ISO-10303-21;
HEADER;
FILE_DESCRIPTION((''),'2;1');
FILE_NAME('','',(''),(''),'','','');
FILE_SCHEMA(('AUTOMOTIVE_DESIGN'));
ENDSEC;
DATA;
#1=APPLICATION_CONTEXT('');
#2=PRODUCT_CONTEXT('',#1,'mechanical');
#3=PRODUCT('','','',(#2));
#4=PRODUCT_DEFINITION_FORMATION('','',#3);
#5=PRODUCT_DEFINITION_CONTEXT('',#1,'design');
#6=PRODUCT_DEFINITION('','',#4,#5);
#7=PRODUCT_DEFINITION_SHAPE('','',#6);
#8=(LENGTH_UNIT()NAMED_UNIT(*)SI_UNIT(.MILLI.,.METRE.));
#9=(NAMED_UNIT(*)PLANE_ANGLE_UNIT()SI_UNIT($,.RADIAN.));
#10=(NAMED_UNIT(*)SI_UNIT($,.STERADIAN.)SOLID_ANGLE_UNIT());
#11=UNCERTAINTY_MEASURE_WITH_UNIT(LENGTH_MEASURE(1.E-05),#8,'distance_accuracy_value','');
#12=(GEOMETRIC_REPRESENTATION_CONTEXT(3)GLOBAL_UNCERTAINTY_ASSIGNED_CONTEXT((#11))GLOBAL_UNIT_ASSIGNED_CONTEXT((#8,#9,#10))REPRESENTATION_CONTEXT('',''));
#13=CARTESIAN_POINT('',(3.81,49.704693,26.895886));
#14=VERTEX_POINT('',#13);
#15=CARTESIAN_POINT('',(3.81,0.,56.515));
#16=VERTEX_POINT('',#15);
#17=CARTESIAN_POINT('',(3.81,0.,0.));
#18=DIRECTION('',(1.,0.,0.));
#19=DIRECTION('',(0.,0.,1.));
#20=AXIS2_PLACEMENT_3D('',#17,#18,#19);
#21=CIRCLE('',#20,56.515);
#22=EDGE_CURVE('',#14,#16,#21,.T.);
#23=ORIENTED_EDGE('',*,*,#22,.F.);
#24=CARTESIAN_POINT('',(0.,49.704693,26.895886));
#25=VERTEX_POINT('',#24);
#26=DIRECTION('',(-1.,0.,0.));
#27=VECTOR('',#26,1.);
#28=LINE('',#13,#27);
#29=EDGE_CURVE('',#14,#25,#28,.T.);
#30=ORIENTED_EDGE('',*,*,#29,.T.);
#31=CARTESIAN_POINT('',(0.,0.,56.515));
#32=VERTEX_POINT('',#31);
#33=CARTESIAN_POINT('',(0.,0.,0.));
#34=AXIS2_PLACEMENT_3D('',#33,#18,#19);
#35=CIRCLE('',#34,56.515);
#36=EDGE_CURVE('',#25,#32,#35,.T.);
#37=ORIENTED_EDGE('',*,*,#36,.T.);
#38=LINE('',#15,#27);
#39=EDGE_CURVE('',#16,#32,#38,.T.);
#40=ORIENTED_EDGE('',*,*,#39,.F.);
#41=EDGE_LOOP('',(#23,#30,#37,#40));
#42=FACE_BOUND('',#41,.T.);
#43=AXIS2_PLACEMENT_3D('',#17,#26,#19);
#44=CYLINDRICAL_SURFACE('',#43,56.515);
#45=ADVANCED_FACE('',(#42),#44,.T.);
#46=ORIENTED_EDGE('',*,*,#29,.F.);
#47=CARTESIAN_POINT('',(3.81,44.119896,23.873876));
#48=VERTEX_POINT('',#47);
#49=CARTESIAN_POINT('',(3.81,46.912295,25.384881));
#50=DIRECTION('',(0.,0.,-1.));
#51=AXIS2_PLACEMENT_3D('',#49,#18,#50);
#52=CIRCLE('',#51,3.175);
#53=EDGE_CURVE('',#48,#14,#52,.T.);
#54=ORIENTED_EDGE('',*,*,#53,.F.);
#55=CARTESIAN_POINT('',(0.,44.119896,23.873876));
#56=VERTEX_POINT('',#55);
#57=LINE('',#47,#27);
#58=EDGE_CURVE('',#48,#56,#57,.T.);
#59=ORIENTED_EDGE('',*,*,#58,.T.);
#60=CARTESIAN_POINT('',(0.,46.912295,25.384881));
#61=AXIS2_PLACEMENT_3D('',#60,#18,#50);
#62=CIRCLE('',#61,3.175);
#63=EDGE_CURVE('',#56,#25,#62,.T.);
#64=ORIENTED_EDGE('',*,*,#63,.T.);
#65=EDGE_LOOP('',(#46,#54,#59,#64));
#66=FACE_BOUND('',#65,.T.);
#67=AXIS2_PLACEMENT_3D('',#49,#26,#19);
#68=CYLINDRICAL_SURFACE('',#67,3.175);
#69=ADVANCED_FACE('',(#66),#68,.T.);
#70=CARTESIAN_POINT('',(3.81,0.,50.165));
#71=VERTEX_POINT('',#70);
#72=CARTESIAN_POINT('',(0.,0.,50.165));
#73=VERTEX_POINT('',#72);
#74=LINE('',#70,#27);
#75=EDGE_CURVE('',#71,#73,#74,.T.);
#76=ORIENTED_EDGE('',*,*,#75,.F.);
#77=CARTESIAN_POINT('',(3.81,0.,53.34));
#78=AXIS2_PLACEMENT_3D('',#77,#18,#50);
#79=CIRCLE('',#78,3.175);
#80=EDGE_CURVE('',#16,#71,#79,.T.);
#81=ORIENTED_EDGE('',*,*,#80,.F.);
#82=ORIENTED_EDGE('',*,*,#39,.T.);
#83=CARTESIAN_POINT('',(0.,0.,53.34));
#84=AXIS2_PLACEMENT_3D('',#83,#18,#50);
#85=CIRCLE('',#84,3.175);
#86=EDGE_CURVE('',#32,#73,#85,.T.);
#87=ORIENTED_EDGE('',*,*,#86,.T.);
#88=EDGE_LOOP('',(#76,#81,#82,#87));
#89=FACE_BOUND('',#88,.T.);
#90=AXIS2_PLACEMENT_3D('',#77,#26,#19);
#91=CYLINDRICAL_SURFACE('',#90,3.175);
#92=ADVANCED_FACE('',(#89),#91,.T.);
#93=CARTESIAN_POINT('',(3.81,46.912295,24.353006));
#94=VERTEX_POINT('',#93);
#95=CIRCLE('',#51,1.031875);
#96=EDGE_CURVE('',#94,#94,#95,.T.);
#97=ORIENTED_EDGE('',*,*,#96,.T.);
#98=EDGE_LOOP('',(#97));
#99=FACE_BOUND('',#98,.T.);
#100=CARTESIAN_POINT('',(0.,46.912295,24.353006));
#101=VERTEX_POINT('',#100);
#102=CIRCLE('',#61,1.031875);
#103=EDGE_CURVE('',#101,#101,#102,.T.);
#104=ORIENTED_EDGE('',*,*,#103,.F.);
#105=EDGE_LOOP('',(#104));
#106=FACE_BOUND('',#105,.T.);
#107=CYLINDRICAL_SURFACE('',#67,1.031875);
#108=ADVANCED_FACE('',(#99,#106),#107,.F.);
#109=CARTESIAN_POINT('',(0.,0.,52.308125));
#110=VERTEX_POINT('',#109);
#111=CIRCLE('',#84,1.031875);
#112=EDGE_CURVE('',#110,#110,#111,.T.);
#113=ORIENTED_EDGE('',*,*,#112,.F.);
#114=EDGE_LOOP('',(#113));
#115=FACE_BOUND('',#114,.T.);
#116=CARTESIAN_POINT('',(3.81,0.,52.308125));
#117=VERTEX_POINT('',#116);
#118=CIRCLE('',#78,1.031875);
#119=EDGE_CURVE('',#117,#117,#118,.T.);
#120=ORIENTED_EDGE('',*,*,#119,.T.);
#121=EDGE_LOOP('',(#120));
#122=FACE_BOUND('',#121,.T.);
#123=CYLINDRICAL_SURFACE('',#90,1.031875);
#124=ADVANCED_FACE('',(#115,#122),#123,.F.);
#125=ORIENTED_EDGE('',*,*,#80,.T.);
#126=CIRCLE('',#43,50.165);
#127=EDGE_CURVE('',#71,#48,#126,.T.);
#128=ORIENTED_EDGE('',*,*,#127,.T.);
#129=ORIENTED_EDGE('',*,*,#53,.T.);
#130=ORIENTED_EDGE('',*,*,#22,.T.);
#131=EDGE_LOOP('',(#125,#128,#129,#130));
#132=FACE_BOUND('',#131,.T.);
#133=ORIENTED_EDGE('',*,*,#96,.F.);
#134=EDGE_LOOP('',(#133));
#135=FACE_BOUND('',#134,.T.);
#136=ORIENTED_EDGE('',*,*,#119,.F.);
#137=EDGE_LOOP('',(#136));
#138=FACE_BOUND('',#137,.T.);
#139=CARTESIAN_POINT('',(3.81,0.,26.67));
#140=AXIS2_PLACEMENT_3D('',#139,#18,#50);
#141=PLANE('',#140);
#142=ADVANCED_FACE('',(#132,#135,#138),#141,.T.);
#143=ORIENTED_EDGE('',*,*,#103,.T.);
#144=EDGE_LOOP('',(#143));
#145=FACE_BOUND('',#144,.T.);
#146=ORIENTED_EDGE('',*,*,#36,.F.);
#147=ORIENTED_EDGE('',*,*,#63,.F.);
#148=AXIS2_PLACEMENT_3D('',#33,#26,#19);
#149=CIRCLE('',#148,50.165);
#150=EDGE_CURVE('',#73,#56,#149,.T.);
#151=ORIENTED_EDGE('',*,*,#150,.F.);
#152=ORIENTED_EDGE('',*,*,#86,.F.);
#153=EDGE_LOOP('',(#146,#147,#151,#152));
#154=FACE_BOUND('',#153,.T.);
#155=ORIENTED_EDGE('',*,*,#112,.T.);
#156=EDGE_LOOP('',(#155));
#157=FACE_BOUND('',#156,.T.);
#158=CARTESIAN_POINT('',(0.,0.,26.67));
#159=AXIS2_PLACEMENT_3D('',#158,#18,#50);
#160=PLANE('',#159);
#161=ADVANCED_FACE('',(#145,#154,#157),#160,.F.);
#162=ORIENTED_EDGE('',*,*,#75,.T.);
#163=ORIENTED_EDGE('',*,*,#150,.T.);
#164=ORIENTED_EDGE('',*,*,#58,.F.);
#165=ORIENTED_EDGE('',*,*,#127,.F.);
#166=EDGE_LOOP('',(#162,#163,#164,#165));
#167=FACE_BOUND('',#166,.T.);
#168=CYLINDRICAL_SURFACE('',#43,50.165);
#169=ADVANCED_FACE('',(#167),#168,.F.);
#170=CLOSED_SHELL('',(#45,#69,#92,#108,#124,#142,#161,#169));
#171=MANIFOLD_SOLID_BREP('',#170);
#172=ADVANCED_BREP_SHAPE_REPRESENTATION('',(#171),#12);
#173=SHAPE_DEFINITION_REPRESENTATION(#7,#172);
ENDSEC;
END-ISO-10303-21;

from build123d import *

# Parameters (mm, degrees)
ESQUISSE1_R        = 1.031875
BOSS_EXTRU_1_DEPTH = 3.81


with BuildPart() as part:
    # Esquisse1 → Boss.-Extru.1 (new body)
    with BuildSketch(Plane(origin=(0, 0, 0), x_dir=(0, 0, -1), z_dir=(1, 0, 0))):
        with BuildLine():
            ThreePointArc((-50.165, 0), (-43.093852353, 25.679702381), (-23.873876134, 44.119896457))
            ThreePointArc((-23.873876134, 44.119896457), (-22.592482442, 48.423299785), (-26.895885771, 49.704693477))
            ThreePointArc((-26.895885771, 49.704693477), (-48.548770372, 28.930297619), (-56.515, 0))
            ThreePointArc((-56.515, 0), (-53.34, -3.175), (-50.165, 0))
        make_face()
        with Locations((-53.34, 0)):
            Circle(ESQUISSE1_R, mode=Mode.SUBTRACT)
        with Locations((-25.384880952, 46.912294967)):
            Circle(ESQUISSE1_R, mode=Mode.SUBTRACT)
    extrude(amount=BOSS_EXTRU_1_DEPTH)


solid = part.part
